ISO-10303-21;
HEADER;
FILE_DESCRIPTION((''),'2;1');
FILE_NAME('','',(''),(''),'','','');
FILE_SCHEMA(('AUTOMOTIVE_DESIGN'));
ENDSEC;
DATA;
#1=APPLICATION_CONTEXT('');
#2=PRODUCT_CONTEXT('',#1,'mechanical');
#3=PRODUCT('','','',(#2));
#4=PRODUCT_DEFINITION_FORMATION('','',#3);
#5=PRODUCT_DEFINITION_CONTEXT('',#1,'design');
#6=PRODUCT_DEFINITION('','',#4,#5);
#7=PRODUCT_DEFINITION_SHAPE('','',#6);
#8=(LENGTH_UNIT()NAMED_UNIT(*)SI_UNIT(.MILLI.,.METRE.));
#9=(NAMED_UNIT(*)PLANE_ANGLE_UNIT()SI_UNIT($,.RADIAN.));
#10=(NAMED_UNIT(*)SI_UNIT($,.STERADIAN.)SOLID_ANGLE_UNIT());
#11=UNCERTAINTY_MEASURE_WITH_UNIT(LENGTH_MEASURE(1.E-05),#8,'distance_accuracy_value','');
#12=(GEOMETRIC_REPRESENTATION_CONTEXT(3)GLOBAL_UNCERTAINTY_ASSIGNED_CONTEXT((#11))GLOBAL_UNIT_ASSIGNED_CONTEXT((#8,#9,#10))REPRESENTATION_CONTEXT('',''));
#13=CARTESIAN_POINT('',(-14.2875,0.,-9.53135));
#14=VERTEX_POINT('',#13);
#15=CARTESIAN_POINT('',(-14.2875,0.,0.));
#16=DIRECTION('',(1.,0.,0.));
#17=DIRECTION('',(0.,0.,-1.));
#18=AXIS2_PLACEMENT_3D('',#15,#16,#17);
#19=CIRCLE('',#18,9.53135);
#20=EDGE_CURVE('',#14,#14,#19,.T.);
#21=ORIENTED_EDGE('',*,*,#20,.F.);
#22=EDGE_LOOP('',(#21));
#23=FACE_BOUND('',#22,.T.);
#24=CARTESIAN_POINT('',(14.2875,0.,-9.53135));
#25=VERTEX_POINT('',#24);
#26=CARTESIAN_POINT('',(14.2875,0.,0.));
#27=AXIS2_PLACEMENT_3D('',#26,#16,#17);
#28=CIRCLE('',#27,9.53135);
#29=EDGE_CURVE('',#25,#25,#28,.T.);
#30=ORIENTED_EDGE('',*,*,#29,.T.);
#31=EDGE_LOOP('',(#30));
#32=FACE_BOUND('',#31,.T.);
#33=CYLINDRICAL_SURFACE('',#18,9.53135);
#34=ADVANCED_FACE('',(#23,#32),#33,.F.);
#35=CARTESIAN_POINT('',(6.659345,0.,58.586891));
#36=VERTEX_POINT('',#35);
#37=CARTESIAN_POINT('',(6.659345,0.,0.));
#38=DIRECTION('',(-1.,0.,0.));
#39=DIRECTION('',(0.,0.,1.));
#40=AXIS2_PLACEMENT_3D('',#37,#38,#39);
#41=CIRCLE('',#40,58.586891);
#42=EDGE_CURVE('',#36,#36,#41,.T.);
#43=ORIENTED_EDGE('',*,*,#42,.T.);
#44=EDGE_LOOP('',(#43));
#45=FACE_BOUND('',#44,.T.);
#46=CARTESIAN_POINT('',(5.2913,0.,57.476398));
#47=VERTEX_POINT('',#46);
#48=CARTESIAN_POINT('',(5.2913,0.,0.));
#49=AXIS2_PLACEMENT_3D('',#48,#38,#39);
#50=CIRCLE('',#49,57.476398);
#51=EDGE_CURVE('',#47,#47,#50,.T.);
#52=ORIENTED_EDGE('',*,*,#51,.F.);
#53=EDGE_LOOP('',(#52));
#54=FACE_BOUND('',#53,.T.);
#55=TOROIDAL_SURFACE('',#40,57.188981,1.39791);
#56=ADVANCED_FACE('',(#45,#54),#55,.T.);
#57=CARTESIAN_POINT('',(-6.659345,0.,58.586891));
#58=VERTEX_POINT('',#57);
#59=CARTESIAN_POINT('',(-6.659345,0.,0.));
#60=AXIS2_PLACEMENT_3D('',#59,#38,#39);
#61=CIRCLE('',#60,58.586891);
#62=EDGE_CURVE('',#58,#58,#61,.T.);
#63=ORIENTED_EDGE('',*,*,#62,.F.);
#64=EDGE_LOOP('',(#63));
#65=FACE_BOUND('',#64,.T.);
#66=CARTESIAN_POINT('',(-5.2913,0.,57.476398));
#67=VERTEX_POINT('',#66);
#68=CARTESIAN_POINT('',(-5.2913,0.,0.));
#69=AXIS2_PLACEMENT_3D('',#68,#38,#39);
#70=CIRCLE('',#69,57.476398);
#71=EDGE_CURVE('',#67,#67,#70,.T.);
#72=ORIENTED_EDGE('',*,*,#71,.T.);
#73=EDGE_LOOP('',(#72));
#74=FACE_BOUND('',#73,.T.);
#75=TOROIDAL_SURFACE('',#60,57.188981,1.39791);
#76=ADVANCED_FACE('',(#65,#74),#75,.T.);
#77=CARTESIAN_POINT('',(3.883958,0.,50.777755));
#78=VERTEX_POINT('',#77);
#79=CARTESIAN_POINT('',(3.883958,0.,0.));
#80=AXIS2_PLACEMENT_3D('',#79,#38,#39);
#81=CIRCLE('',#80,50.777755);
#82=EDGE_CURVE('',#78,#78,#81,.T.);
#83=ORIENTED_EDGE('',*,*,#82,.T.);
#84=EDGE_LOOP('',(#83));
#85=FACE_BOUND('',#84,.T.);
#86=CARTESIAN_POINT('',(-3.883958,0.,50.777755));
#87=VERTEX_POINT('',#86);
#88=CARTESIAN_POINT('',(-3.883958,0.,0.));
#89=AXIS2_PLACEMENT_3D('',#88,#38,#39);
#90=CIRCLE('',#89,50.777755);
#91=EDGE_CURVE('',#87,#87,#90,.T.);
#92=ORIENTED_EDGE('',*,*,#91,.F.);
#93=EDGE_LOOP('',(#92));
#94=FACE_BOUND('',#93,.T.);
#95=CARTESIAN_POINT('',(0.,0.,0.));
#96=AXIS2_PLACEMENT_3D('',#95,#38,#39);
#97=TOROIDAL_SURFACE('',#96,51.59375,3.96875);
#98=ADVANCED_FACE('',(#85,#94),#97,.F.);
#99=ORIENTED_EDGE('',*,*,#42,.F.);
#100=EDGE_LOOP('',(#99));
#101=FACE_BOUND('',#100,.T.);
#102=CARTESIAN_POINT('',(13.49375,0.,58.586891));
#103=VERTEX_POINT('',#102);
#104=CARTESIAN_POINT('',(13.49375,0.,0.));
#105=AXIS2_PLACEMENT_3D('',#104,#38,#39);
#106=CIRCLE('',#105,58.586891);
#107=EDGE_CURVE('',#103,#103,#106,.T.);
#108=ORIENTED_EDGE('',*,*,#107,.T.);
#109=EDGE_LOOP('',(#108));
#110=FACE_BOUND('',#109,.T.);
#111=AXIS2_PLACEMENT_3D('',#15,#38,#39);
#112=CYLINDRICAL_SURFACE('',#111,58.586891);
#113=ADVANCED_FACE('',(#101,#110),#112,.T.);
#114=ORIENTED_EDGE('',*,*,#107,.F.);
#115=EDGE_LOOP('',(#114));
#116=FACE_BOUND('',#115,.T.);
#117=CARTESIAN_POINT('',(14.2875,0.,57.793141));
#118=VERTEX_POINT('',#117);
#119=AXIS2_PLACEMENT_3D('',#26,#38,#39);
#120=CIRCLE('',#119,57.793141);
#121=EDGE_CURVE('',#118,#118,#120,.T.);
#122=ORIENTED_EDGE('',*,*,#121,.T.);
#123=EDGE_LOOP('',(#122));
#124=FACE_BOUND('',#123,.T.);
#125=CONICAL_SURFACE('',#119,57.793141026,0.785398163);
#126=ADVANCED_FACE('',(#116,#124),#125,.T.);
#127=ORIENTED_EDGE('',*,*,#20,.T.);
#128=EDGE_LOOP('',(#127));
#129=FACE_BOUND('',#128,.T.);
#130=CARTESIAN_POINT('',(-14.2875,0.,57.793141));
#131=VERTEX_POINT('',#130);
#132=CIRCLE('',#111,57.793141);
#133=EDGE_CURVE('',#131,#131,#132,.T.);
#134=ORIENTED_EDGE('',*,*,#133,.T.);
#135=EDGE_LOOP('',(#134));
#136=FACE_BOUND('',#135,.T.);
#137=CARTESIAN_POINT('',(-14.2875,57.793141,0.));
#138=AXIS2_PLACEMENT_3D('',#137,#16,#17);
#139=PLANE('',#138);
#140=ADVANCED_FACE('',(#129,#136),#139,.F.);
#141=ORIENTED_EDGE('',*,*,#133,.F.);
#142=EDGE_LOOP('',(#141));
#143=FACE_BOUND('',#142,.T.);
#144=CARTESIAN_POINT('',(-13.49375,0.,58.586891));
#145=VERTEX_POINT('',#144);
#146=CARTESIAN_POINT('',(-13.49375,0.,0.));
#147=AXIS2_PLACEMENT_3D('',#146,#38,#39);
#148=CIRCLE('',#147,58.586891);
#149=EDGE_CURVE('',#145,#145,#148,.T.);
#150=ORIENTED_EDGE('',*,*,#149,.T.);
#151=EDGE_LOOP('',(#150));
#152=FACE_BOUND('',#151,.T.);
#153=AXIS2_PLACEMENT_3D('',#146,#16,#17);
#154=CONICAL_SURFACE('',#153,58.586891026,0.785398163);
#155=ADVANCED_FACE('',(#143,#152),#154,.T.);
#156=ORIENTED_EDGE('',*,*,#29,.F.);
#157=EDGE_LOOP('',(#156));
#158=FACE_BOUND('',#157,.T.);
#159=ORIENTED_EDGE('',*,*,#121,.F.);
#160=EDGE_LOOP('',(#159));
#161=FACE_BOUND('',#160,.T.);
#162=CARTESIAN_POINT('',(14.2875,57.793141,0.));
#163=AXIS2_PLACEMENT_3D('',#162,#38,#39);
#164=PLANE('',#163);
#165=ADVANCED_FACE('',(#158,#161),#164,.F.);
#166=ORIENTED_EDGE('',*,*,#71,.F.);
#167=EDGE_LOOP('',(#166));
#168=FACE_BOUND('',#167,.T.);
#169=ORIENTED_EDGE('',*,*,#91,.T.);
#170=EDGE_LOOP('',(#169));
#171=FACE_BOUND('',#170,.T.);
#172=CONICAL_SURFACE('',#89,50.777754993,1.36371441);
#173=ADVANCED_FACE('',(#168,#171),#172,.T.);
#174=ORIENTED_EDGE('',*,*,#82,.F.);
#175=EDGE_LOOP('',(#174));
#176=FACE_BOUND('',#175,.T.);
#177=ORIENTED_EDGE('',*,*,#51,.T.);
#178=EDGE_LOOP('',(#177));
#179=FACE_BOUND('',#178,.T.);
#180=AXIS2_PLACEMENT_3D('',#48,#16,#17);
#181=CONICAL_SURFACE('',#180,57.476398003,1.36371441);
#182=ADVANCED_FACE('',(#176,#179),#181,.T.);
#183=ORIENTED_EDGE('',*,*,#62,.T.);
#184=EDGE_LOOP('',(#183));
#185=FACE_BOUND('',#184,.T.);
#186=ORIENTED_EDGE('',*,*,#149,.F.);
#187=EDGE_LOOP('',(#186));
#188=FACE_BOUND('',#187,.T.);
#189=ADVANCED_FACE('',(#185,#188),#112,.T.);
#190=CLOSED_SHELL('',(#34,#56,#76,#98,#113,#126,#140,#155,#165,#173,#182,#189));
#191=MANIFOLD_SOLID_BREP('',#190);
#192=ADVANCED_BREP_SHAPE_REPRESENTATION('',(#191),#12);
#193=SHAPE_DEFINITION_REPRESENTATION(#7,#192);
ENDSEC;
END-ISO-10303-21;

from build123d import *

# Parameters (mm, degrees)
SKETCH2_R          = 9.53135
CUT_EXTRUDE1_DEPTH = 29.575


with BuildPart() as part:
    # Sketch1 → Revolve1 (revolve)
    with BuildSketch(Plane.XY, mode=Mode.PRIVATE) as revolve1_sk:
        with BuildLine():
            Line((-14.2875, 0), (14.2875, 0))
            Line((14.2875, 0), (14.2875, 57.793141026))
            Line((14.2875, 57.793141026), (13.49375, 58.586891026))
            Line((13.49375, 58.586891026), (6.659344616, 58.586891026))
            ThreePointArc((6.659344616, 58.586891026), (5.778331049, 58.274323253), (5.291300439, 57.476398003))
            Line((5.291300439, 57.476398003), (3.883957867, 50.777754993))
            ThreePointArc((3.883957867, 50.777754993), (0, 47.625), (-3.883957867, 50.777754993))
            Line((-3.883957867, 50.777754993), (-5.291300439, 57.476398003))
            ThreePointArc((-5.291300439, 57.476398003), (-5.778331049, 58.274323253), (-6.659344616, 58.586891026))
            Line((-6.659344616, 58.586891026), (-13.49375, 58.586891026))
            Line((-13.49375, 58.586891026), (-14.2875, 57.793141026))
            Line((-14.2875, 57.793141026), (-14.2875, 0))
        make_face()
    revolve(revolve1_sk.sketch.rotate(Axis((-14.2875, 0, 0), (1, 0, 0)), 90), axis=Axis((-14.2875, 0, 0), (1, 0, 0)))  # turned: the seam where the file's is

    # Sketch2 → Cut-Extrude1 (cut, through all)
    with BuildSketch(Plane(origin=(14.2875, 0, 0), x_dir=(0, 0, -1), z_dir=(1, 0, 0))):
        Circle(SKETCH2_R)
    extrude(amount=-CUT_EXTRUDE1_DEPTH, mode=Mode.SUBTRACT)


solid = part.part
